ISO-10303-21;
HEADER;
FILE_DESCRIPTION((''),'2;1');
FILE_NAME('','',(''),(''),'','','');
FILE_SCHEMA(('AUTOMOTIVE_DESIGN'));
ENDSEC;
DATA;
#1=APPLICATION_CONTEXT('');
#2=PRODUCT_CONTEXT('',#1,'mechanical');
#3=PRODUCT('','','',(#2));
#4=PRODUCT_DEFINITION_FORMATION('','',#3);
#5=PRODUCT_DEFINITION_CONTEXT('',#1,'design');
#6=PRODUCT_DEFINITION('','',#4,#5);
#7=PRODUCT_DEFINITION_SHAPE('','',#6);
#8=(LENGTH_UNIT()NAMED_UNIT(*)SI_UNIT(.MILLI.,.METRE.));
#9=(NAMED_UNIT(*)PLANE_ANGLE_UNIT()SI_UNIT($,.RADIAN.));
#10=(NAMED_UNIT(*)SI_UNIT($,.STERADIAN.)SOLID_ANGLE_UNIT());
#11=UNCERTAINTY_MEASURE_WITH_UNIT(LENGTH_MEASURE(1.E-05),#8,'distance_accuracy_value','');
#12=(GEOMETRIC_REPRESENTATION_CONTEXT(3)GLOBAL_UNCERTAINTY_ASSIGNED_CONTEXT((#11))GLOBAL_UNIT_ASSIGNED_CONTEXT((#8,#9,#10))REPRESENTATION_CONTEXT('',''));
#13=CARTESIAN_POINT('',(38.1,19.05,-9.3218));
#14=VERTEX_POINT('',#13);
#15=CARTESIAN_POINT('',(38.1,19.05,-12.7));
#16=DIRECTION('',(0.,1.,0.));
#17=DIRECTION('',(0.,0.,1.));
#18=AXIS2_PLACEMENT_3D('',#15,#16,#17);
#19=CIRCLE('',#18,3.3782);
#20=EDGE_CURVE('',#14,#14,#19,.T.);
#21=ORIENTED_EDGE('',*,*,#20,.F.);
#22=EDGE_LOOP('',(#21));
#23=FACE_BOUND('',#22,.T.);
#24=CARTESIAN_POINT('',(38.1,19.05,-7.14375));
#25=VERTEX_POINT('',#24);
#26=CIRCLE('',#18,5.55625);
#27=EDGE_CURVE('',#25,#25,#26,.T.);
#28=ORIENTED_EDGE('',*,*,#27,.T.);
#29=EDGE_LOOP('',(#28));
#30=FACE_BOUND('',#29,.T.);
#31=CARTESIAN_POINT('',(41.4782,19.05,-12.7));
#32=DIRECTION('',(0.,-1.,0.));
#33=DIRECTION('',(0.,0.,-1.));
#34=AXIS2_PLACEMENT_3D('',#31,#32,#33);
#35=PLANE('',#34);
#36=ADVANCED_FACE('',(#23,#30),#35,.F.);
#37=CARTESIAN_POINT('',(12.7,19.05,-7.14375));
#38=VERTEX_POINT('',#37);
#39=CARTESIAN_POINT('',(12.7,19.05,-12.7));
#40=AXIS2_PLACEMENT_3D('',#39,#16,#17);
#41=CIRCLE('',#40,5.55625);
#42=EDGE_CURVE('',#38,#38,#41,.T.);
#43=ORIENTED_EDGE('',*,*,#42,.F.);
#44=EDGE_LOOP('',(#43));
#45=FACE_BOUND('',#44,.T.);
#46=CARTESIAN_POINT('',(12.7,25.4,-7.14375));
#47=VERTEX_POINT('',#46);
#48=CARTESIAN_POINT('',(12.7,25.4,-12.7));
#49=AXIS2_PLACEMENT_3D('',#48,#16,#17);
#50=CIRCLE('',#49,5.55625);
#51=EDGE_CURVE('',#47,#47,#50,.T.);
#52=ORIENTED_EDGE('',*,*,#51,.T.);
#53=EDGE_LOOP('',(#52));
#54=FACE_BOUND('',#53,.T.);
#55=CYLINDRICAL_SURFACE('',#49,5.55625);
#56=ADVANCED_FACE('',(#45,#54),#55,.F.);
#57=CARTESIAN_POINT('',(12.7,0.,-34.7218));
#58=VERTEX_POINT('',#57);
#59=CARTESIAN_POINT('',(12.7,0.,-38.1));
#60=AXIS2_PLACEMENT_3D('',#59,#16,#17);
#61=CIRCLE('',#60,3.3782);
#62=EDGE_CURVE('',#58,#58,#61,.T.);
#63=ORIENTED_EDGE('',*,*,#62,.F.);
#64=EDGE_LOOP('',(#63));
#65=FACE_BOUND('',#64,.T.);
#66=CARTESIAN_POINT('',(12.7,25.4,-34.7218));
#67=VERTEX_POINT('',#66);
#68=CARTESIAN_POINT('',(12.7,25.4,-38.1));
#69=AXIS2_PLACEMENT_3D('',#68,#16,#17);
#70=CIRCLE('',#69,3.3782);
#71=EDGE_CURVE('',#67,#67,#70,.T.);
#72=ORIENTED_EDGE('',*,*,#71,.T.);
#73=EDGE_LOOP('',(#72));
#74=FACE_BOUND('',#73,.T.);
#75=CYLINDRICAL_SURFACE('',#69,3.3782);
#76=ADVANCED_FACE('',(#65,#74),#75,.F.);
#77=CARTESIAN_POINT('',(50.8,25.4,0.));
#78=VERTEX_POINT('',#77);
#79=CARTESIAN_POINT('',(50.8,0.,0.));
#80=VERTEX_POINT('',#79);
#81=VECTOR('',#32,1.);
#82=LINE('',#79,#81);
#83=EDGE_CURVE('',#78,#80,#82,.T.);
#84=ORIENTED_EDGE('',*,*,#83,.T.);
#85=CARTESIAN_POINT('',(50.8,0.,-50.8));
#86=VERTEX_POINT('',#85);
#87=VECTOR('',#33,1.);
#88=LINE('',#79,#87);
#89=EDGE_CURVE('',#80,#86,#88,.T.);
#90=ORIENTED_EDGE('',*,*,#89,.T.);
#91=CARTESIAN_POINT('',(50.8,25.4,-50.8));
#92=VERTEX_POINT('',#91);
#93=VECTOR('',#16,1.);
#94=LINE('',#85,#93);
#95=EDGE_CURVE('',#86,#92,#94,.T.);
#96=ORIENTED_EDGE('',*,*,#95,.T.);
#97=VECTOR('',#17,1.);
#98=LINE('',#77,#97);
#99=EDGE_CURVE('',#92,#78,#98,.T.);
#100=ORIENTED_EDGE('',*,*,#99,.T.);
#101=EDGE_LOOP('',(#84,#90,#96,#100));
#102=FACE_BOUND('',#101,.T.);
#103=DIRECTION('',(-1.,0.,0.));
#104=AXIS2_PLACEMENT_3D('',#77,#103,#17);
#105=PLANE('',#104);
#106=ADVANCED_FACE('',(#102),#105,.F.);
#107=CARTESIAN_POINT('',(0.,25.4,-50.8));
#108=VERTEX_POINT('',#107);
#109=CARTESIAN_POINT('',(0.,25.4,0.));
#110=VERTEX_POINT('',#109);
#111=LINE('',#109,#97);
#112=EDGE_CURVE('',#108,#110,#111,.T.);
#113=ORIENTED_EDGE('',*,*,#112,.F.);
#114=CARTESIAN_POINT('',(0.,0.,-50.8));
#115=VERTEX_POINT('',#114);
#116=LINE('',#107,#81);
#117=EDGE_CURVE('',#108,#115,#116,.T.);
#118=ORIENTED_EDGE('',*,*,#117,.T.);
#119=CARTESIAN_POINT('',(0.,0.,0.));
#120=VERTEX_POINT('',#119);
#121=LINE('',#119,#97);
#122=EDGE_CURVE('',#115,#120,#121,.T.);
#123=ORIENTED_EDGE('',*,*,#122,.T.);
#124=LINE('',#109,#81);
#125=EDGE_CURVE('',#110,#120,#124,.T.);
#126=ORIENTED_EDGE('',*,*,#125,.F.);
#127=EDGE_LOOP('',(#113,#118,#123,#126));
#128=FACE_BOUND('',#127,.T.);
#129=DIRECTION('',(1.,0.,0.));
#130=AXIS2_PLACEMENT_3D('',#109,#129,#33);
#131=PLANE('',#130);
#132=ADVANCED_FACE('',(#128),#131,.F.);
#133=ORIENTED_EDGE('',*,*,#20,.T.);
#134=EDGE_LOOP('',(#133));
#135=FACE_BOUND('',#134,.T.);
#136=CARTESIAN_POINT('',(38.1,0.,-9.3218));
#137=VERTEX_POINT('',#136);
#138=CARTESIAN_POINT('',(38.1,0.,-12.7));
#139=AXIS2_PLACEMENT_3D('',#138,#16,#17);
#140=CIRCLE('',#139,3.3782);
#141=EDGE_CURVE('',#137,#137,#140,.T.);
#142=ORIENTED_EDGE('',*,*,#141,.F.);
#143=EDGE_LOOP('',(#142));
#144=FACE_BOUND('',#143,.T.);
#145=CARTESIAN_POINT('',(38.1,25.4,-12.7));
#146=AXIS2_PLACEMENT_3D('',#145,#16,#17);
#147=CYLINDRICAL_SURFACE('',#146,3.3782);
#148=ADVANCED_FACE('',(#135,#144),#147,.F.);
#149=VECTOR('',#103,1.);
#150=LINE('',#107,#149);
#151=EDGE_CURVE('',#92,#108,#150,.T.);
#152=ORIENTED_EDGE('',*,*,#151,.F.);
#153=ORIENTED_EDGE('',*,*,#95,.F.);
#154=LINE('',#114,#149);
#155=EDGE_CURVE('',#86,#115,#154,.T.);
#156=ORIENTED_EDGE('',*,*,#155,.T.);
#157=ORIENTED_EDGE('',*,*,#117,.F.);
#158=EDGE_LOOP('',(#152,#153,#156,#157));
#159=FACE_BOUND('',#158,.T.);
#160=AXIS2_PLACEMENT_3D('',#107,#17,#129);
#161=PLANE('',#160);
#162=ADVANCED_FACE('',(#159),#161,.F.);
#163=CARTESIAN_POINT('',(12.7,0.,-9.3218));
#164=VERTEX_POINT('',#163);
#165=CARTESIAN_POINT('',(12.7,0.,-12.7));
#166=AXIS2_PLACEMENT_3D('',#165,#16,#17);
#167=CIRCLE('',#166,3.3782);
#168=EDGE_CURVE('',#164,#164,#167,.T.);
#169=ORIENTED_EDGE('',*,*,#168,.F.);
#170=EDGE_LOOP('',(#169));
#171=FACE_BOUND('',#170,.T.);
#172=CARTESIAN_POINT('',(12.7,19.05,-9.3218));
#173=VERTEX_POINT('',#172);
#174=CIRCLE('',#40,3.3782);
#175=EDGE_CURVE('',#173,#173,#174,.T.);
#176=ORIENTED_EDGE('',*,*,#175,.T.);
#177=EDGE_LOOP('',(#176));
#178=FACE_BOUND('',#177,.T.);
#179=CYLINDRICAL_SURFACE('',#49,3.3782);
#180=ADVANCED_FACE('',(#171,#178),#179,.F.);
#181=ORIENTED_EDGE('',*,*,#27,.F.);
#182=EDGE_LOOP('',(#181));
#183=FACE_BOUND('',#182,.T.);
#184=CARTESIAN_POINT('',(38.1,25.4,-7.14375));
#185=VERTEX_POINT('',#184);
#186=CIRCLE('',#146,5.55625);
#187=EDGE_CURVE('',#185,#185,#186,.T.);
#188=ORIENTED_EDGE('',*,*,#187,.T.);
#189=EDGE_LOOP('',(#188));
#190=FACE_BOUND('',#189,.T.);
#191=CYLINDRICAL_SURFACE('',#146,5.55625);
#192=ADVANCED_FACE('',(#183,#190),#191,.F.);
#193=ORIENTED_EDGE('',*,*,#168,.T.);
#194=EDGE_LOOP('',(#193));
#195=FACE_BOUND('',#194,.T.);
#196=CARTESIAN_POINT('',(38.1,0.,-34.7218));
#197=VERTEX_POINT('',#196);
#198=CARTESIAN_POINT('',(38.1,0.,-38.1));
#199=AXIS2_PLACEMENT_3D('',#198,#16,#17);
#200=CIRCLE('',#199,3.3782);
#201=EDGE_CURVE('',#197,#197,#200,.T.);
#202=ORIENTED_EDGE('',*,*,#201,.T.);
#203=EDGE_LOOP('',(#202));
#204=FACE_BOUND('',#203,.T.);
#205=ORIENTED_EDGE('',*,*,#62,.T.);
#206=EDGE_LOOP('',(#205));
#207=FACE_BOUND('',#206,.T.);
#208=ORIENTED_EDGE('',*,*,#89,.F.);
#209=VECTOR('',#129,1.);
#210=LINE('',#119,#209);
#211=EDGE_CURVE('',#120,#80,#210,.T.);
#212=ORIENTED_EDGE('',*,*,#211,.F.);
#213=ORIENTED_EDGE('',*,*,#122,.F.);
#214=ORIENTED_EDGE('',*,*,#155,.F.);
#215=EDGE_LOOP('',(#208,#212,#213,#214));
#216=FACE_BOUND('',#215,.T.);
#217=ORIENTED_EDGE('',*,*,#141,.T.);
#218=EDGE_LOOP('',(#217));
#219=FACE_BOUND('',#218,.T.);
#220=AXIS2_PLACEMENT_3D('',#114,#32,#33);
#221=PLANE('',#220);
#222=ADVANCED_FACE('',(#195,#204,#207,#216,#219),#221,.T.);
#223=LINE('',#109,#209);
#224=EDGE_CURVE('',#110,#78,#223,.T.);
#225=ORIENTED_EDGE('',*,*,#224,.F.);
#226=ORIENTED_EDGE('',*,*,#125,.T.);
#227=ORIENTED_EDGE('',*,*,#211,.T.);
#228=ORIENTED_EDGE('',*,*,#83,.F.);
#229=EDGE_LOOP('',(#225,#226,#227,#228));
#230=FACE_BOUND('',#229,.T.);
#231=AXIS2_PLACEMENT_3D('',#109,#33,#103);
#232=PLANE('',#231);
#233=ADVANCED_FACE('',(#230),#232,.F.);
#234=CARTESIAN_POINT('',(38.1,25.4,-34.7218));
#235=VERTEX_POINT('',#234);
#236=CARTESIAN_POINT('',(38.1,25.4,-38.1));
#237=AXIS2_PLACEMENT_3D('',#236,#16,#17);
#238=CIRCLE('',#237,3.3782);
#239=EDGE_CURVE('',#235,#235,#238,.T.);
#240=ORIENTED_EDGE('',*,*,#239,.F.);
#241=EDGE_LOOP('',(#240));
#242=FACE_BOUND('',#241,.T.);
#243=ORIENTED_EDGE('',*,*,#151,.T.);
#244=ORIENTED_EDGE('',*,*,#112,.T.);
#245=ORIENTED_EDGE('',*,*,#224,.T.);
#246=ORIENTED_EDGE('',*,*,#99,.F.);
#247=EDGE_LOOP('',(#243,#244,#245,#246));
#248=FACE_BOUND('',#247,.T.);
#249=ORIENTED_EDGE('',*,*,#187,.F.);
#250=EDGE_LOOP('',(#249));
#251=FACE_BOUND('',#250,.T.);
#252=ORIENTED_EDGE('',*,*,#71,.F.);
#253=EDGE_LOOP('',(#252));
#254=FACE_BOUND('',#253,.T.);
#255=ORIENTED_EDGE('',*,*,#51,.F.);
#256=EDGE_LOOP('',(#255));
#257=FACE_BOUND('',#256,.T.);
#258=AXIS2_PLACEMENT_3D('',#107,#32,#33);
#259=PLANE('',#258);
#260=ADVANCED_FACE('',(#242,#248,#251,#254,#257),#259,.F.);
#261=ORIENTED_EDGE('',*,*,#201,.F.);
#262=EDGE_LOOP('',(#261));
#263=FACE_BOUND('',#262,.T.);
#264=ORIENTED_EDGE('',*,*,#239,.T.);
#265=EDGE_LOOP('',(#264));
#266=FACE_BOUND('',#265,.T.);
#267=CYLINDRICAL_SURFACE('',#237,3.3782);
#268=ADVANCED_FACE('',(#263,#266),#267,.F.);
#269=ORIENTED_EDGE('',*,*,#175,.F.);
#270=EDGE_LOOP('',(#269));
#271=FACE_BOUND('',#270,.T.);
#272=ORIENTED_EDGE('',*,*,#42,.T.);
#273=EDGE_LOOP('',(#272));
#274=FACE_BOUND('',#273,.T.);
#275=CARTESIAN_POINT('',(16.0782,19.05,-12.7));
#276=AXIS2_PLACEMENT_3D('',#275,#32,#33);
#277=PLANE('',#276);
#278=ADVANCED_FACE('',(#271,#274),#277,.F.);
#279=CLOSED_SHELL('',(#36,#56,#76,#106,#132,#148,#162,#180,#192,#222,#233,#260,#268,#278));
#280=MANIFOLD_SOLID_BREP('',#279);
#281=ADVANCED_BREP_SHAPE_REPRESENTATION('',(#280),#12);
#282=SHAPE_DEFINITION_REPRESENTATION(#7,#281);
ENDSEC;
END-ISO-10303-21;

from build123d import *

# Parameters (mm, degrees)
SKETCH1_W                                        = 101.6
SKETCH1_H                                        = 50.8
BOSS_EXTRUDE1_DEPTH                              = 25.4
CBORE_FOR_1_4_SOCKET_HEAD_CAP_SCREW1_D           = 6.7564
CBORE_FOR_1_4_SOCKET_HEAD_CAP_SCREW1_CBORE_D     = 11.1125
CBORE_FOR_1_4_SOCKET_HEAD_CAP_SCREW1_CBORE_DEPTH = 6.35
LPATTERN1_COUNT                                  = 4
LPATTERN1_PITCH                                  = 25.4
F_1_4_CLEARANCE_HOLE1_D                          = 6.7564
LPATTERN2_COUNT                                  = 4
LPATTERN2_PITCH                                  = 25.4
SKETCH7_W                                        = 50.8
SKETCH7_H                                        = 25.4
CUT_EXTRUDE1_DEPTH                               = 50.8


with BuildPart() as part:
    # Sketch1 → Boss-Extrude1 (new body)
    with BuildSketch(Plane(origin=(0, 0, 0), x_dir=(1, 0, 0), z_dir=(0, 1, 0))):
        with Locations((50.8, 25.4)):
            Rectangle(SKETCH1_W, SKETCH1_H)
    extrude(amount=BOSS_EXTRUDE1_DEPTH)

    # CBORE for 1/4 Socket Head Cap Screw1 (through all)
    with Locations(Plane(origin=(0, 25.4, 0), x_dir=(-1, 0, 0), z_dir=(0, 1, 0))):
        with Locations((-12.7, -12.7)):
            cbore_for_1_4_socket_head_cap_screw1 = CounterBoreHole(CBORE_FOR_1_4_SOCKET_HEAD_CAP_SCREW1_D / 2, CBORE_FOR_1_4_SOCKET_HEAD_CAP_SCREW1_CBORE_D / 2, CBORE_FOR_1_4_SOCKET_HEAD_CAP_SCREW1_CBORE_DEPTH)

    # LPattern1: CBORE for 1/4 Socket Head Cap Screw1 ×4
    with Locations(*[(i * LPATTERN1_PITCH, 0, 0) for i in range(1, LPATTERN1_COUNT)]):
        add(cbore_for_1_4_socket_head_cap_screw1, mode=Mode.SUBTRACT)

    # 1/4 Clearance Hole1 (through all)
    with Locations(Plane(origin=(0, 25.4, 0), x_dir=(-1, 0, 0), z_dir=(0, 1, 0))):
        with Locations((-12.7, -38.1)):
            f_1_4_clearance_hole1 = Hole(F_1_4_CLEARANCE_HOLE1_D / 2)

    # LPattern2: 1/4 Clearance Hole1 ×4
    with Locations(*[(i * LPATTERN2_PITCH, 0, 0) for i in range(1, LPATTERN2_COUNT)]):
        add(f_1_4_clearance_hole1, mode=Mode.SUBTRACT)

    # Sketch7 → Cut-Extrude1 (cut)
    with BuildSketch(Plane(origin=(101.6, 0, 0), x_dir=(0, 0, -1), z_dir=(1, 0, 0))):
        with Locations((25.4, 12.7)):
            Rectangle(SKETCH7_W, SKETCH7_H)
    extrude(amount=-CUT_EXTRUDE1_DEPTH, mode=Mode.SUBTRACT)


solid = part.part
